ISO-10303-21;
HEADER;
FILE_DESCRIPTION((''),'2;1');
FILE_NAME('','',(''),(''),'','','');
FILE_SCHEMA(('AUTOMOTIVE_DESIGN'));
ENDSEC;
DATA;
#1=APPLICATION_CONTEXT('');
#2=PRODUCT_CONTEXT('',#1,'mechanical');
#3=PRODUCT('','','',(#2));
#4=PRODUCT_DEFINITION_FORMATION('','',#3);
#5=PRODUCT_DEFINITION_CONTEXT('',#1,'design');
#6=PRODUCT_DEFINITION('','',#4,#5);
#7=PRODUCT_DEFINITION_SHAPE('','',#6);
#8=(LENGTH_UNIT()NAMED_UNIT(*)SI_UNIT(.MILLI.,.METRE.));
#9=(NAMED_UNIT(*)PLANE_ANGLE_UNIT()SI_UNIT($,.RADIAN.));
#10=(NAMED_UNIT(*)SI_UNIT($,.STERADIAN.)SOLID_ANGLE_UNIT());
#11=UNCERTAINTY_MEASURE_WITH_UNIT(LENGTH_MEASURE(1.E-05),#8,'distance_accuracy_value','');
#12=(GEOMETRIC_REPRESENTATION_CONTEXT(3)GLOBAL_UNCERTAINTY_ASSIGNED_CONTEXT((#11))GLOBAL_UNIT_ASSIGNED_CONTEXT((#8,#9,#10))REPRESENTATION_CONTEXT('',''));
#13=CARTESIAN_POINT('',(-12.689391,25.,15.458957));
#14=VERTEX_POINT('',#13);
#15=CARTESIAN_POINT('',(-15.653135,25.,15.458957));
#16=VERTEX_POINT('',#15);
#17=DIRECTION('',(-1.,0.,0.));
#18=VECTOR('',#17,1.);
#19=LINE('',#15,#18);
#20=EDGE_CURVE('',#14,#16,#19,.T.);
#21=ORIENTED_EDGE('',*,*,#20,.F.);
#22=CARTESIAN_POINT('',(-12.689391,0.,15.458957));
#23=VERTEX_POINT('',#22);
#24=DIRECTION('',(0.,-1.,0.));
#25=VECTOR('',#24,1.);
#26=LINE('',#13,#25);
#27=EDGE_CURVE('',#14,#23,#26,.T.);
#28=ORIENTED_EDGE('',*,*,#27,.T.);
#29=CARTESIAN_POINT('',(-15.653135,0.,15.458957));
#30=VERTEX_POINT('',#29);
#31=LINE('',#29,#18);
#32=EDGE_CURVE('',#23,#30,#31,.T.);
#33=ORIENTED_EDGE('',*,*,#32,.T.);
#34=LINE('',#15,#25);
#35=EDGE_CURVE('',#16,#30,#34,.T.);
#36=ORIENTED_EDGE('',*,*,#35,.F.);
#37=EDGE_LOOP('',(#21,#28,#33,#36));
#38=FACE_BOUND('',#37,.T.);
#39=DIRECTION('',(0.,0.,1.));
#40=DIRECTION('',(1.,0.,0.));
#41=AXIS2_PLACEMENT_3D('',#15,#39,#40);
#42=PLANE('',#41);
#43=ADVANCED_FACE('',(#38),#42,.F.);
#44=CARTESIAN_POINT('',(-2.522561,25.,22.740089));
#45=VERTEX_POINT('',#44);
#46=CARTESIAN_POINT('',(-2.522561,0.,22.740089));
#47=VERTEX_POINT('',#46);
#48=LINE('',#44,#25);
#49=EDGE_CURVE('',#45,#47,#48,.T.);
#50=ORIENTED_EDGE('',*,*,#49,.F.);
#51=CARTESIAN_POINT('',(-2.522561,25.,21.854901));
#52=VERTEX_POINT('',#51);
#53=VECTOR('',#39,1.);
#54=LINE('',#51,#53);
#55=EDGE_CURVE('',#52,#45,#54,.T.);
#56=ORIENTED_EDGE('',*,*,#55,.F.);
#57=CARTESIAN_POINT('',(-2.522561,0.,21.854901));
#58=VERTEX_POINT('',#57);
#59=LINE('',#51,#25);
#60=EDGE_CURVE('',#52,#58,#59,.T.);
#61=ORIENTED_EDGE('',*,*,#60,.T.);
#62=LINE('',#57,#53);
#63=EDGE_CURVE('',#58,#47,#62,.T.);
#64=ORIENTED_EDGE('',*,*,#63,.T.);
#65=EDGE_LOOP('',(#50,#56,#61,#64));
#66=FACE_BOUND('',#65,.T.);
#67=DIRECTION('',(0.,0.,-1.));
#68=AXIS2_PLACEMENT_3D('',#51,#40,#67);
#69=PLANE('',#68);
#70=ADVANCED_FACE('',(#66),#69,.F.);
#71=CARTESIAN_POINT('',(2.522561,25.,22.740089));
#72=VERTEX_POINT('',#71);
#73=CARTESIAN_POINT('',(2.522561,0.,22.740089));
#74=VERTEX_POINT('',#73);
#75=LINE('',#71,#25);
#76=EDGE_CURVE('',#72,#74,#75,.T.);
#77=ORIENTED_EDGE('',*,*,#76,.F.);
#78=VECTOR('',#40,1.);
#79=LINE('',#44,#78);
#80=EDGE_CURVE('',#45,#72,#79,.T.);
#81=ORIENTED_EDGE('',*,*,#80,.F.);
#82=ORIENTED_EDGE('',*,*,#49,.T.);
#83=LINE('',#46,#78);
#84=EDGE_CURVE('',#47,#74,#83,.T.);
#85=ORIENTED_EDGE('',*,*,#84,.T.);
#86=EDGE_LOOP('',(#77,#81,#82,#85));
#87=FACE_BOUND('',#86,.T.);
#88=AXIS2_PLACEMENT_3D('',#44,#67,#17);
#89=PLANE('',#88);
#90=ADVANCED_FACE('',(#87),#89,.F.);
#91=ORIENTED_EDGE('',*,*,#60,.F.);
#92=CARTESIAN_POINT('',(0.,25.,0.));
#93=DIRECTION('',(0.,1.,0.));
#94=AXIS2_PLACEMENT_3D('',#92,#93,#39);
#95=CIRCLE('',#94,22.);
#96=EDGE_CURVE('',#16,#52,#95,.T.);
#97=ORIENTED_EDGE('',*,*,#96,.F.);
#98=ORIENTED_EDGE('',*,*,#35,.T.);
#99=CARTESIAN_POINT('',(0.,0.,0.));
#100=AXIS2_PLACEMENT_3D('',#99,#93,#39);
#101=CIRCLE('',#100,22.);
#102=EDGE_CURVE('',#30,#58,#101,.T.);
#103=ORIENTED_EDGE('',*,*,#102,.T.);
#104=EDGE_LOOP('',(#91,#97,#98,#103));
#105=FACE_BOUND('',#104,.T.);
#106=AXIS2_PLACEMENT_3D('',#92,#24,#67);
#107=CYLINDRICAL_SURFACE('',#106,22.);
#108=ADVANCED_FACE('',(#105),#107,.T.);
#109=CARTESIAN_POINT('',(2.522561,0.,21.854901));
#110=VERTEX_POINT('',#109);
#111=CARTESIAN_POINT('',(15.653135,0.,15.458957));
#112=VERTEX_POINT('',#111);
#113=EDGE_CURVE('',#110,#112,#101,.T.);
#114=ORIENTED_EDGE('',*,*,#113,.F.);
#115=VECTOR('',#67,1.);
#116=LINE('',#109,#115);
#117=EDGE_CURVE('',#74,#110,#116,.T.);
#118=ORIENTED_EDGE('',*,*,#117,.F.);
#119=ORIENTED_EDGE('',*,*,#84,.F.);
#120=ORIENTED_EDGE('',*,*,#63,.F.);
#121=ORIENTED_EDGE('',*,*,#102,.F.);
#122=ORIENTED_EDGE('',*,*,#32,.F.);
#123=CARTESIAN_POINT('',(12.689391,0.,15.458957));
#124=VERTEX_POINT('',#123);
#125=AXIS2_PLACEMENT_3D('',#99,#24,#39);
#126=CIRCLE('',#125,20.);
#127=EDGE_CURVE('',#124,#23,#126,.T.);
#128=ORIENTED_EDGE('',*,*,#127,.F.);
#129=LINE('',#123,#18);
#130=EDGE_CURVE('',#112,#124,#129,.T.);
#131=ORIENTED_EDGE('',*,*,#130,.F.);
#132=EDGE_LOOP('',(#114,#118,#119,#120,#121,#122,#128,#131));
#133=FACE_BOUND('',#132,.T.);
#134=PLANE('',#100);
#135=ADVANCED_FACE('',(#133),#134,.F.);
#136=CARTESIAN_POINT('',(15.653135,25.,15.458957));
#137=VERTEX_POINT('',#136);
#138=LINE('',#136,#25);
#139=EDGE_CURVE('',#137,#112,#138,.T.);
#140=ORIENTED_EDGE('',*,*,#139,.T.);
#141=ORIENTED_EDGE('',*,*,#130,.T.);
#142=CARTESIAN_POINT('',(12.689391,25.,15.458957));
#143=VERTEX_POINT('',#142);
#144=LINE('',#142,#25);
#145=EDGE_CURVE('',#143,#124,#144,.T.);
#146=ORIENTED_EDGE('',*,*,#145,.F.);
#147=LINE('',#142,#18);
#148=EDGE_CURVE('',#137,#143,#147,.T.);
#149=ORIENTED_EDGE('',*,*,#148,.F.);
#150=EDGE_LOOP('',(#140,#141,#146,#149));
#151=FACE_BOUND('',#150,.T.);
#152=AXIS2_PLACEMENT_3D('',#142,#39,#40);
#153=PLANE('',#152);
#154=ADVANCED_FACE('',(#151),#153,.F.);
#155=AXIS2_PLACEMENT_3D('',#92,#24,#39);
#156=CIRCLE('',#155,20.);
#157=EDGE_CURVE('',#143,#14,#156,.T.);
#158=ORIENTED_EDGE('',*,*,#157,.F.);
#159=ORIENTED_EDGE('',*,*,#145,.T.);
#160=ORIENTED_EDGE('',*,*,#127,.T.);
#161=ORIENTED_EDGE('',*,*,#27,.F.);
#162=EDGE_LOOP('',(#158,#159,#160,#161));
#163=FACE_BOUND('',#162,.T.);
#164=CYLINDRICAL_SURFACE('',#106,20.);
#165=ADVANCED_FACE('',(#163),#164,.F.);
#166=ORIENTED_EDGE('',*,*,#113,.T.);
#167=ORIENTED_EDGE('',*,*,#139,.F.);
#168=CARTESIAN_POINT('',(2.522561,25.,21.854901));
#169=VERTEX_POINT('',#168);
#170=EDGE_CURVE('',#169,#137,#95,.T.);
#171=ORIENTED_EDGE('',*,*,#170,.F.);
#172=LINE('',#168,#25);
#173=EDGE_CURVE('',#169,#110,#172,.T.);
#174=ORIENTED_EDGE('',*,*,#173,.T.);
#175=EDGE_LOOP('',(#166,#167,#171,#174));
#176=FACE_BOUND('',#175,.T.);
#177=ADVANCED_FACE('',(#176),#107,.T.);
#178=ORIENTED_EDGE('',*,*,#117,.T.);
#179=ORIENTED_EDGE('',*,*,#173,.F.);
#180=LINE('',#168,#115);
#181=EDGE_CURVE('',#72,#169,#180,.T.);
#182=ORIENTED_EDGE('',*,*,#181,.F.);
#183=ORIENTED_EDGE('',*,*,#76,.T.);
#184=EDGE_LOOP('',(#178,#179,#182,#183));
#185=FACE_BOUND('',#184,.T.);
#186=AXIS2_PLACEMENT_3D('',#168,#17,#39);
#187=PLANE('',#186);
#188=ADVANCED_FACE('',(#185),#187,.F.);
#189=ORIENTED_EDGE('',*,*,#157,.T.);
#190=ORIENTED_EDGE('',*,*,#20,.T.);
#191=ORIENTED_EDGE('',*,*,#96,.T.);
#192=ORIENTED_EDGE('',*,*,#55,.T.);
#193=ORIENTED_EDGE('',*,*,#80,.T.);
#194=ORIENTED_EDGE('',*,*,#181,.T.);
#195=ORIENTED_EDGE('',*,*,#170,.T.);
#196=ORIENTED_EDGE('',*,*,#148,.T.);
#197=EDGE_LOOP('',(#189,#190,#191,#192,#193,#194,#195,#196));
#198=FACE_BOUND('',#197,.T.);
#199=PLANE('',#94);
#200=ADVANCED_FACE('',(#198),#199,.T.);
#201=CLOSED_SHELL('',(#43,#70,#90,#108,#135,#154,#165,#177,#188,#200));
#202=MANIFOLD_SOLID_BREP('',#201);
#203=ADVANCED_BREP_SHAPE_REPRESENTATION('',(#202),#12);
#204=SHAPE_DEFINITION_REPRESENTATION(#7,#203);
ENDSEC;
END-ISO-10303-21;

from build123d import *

# Parameters (mm, degrees)
BOSS_EXTRUDE1_DEPTH = 25


with BuildPart() as part:
    # Sketch1 → Boss-Extrude1 (new body)
    with BuildSketch(Plane(origin=(0, 0, 0), x_dir=(1, 0, 0), z_dir=(0, 1, 0))):
        with BuildLine():
            Line((-15.653135277, -15.458957145), (-12.689391002, -15.458957145))
            ThreePointArc((-12.689391002, -15.458957145), (0, -20), (12.689391002, -15.458957145))
            Line((12.689391002, -15.458957145), (15.653135277, -15.458957145))
            ThreePointArc((15.653135277, -15.458957145), (9.634106681, -19.778371734), (2.522561476, -21.854900677))
            Line((2.522561476, -21.854900677), (2.522561476, -22.740089193))
            Line((2.522561476, -22.740089193), (-2.522561476, -22.740089193))
            Line((-2.522561476, -22.740089193), (-2.522561476, -21.854900677))
            ThreePointArc((-2.522561476, -21.854900677), (-9.634106681, -19.778371734), (-15.653135277, -15.458957145))
        make_face()
    extrude(amount=BOSS_EXTRUDE1_DEPTH)


solid = part.part
